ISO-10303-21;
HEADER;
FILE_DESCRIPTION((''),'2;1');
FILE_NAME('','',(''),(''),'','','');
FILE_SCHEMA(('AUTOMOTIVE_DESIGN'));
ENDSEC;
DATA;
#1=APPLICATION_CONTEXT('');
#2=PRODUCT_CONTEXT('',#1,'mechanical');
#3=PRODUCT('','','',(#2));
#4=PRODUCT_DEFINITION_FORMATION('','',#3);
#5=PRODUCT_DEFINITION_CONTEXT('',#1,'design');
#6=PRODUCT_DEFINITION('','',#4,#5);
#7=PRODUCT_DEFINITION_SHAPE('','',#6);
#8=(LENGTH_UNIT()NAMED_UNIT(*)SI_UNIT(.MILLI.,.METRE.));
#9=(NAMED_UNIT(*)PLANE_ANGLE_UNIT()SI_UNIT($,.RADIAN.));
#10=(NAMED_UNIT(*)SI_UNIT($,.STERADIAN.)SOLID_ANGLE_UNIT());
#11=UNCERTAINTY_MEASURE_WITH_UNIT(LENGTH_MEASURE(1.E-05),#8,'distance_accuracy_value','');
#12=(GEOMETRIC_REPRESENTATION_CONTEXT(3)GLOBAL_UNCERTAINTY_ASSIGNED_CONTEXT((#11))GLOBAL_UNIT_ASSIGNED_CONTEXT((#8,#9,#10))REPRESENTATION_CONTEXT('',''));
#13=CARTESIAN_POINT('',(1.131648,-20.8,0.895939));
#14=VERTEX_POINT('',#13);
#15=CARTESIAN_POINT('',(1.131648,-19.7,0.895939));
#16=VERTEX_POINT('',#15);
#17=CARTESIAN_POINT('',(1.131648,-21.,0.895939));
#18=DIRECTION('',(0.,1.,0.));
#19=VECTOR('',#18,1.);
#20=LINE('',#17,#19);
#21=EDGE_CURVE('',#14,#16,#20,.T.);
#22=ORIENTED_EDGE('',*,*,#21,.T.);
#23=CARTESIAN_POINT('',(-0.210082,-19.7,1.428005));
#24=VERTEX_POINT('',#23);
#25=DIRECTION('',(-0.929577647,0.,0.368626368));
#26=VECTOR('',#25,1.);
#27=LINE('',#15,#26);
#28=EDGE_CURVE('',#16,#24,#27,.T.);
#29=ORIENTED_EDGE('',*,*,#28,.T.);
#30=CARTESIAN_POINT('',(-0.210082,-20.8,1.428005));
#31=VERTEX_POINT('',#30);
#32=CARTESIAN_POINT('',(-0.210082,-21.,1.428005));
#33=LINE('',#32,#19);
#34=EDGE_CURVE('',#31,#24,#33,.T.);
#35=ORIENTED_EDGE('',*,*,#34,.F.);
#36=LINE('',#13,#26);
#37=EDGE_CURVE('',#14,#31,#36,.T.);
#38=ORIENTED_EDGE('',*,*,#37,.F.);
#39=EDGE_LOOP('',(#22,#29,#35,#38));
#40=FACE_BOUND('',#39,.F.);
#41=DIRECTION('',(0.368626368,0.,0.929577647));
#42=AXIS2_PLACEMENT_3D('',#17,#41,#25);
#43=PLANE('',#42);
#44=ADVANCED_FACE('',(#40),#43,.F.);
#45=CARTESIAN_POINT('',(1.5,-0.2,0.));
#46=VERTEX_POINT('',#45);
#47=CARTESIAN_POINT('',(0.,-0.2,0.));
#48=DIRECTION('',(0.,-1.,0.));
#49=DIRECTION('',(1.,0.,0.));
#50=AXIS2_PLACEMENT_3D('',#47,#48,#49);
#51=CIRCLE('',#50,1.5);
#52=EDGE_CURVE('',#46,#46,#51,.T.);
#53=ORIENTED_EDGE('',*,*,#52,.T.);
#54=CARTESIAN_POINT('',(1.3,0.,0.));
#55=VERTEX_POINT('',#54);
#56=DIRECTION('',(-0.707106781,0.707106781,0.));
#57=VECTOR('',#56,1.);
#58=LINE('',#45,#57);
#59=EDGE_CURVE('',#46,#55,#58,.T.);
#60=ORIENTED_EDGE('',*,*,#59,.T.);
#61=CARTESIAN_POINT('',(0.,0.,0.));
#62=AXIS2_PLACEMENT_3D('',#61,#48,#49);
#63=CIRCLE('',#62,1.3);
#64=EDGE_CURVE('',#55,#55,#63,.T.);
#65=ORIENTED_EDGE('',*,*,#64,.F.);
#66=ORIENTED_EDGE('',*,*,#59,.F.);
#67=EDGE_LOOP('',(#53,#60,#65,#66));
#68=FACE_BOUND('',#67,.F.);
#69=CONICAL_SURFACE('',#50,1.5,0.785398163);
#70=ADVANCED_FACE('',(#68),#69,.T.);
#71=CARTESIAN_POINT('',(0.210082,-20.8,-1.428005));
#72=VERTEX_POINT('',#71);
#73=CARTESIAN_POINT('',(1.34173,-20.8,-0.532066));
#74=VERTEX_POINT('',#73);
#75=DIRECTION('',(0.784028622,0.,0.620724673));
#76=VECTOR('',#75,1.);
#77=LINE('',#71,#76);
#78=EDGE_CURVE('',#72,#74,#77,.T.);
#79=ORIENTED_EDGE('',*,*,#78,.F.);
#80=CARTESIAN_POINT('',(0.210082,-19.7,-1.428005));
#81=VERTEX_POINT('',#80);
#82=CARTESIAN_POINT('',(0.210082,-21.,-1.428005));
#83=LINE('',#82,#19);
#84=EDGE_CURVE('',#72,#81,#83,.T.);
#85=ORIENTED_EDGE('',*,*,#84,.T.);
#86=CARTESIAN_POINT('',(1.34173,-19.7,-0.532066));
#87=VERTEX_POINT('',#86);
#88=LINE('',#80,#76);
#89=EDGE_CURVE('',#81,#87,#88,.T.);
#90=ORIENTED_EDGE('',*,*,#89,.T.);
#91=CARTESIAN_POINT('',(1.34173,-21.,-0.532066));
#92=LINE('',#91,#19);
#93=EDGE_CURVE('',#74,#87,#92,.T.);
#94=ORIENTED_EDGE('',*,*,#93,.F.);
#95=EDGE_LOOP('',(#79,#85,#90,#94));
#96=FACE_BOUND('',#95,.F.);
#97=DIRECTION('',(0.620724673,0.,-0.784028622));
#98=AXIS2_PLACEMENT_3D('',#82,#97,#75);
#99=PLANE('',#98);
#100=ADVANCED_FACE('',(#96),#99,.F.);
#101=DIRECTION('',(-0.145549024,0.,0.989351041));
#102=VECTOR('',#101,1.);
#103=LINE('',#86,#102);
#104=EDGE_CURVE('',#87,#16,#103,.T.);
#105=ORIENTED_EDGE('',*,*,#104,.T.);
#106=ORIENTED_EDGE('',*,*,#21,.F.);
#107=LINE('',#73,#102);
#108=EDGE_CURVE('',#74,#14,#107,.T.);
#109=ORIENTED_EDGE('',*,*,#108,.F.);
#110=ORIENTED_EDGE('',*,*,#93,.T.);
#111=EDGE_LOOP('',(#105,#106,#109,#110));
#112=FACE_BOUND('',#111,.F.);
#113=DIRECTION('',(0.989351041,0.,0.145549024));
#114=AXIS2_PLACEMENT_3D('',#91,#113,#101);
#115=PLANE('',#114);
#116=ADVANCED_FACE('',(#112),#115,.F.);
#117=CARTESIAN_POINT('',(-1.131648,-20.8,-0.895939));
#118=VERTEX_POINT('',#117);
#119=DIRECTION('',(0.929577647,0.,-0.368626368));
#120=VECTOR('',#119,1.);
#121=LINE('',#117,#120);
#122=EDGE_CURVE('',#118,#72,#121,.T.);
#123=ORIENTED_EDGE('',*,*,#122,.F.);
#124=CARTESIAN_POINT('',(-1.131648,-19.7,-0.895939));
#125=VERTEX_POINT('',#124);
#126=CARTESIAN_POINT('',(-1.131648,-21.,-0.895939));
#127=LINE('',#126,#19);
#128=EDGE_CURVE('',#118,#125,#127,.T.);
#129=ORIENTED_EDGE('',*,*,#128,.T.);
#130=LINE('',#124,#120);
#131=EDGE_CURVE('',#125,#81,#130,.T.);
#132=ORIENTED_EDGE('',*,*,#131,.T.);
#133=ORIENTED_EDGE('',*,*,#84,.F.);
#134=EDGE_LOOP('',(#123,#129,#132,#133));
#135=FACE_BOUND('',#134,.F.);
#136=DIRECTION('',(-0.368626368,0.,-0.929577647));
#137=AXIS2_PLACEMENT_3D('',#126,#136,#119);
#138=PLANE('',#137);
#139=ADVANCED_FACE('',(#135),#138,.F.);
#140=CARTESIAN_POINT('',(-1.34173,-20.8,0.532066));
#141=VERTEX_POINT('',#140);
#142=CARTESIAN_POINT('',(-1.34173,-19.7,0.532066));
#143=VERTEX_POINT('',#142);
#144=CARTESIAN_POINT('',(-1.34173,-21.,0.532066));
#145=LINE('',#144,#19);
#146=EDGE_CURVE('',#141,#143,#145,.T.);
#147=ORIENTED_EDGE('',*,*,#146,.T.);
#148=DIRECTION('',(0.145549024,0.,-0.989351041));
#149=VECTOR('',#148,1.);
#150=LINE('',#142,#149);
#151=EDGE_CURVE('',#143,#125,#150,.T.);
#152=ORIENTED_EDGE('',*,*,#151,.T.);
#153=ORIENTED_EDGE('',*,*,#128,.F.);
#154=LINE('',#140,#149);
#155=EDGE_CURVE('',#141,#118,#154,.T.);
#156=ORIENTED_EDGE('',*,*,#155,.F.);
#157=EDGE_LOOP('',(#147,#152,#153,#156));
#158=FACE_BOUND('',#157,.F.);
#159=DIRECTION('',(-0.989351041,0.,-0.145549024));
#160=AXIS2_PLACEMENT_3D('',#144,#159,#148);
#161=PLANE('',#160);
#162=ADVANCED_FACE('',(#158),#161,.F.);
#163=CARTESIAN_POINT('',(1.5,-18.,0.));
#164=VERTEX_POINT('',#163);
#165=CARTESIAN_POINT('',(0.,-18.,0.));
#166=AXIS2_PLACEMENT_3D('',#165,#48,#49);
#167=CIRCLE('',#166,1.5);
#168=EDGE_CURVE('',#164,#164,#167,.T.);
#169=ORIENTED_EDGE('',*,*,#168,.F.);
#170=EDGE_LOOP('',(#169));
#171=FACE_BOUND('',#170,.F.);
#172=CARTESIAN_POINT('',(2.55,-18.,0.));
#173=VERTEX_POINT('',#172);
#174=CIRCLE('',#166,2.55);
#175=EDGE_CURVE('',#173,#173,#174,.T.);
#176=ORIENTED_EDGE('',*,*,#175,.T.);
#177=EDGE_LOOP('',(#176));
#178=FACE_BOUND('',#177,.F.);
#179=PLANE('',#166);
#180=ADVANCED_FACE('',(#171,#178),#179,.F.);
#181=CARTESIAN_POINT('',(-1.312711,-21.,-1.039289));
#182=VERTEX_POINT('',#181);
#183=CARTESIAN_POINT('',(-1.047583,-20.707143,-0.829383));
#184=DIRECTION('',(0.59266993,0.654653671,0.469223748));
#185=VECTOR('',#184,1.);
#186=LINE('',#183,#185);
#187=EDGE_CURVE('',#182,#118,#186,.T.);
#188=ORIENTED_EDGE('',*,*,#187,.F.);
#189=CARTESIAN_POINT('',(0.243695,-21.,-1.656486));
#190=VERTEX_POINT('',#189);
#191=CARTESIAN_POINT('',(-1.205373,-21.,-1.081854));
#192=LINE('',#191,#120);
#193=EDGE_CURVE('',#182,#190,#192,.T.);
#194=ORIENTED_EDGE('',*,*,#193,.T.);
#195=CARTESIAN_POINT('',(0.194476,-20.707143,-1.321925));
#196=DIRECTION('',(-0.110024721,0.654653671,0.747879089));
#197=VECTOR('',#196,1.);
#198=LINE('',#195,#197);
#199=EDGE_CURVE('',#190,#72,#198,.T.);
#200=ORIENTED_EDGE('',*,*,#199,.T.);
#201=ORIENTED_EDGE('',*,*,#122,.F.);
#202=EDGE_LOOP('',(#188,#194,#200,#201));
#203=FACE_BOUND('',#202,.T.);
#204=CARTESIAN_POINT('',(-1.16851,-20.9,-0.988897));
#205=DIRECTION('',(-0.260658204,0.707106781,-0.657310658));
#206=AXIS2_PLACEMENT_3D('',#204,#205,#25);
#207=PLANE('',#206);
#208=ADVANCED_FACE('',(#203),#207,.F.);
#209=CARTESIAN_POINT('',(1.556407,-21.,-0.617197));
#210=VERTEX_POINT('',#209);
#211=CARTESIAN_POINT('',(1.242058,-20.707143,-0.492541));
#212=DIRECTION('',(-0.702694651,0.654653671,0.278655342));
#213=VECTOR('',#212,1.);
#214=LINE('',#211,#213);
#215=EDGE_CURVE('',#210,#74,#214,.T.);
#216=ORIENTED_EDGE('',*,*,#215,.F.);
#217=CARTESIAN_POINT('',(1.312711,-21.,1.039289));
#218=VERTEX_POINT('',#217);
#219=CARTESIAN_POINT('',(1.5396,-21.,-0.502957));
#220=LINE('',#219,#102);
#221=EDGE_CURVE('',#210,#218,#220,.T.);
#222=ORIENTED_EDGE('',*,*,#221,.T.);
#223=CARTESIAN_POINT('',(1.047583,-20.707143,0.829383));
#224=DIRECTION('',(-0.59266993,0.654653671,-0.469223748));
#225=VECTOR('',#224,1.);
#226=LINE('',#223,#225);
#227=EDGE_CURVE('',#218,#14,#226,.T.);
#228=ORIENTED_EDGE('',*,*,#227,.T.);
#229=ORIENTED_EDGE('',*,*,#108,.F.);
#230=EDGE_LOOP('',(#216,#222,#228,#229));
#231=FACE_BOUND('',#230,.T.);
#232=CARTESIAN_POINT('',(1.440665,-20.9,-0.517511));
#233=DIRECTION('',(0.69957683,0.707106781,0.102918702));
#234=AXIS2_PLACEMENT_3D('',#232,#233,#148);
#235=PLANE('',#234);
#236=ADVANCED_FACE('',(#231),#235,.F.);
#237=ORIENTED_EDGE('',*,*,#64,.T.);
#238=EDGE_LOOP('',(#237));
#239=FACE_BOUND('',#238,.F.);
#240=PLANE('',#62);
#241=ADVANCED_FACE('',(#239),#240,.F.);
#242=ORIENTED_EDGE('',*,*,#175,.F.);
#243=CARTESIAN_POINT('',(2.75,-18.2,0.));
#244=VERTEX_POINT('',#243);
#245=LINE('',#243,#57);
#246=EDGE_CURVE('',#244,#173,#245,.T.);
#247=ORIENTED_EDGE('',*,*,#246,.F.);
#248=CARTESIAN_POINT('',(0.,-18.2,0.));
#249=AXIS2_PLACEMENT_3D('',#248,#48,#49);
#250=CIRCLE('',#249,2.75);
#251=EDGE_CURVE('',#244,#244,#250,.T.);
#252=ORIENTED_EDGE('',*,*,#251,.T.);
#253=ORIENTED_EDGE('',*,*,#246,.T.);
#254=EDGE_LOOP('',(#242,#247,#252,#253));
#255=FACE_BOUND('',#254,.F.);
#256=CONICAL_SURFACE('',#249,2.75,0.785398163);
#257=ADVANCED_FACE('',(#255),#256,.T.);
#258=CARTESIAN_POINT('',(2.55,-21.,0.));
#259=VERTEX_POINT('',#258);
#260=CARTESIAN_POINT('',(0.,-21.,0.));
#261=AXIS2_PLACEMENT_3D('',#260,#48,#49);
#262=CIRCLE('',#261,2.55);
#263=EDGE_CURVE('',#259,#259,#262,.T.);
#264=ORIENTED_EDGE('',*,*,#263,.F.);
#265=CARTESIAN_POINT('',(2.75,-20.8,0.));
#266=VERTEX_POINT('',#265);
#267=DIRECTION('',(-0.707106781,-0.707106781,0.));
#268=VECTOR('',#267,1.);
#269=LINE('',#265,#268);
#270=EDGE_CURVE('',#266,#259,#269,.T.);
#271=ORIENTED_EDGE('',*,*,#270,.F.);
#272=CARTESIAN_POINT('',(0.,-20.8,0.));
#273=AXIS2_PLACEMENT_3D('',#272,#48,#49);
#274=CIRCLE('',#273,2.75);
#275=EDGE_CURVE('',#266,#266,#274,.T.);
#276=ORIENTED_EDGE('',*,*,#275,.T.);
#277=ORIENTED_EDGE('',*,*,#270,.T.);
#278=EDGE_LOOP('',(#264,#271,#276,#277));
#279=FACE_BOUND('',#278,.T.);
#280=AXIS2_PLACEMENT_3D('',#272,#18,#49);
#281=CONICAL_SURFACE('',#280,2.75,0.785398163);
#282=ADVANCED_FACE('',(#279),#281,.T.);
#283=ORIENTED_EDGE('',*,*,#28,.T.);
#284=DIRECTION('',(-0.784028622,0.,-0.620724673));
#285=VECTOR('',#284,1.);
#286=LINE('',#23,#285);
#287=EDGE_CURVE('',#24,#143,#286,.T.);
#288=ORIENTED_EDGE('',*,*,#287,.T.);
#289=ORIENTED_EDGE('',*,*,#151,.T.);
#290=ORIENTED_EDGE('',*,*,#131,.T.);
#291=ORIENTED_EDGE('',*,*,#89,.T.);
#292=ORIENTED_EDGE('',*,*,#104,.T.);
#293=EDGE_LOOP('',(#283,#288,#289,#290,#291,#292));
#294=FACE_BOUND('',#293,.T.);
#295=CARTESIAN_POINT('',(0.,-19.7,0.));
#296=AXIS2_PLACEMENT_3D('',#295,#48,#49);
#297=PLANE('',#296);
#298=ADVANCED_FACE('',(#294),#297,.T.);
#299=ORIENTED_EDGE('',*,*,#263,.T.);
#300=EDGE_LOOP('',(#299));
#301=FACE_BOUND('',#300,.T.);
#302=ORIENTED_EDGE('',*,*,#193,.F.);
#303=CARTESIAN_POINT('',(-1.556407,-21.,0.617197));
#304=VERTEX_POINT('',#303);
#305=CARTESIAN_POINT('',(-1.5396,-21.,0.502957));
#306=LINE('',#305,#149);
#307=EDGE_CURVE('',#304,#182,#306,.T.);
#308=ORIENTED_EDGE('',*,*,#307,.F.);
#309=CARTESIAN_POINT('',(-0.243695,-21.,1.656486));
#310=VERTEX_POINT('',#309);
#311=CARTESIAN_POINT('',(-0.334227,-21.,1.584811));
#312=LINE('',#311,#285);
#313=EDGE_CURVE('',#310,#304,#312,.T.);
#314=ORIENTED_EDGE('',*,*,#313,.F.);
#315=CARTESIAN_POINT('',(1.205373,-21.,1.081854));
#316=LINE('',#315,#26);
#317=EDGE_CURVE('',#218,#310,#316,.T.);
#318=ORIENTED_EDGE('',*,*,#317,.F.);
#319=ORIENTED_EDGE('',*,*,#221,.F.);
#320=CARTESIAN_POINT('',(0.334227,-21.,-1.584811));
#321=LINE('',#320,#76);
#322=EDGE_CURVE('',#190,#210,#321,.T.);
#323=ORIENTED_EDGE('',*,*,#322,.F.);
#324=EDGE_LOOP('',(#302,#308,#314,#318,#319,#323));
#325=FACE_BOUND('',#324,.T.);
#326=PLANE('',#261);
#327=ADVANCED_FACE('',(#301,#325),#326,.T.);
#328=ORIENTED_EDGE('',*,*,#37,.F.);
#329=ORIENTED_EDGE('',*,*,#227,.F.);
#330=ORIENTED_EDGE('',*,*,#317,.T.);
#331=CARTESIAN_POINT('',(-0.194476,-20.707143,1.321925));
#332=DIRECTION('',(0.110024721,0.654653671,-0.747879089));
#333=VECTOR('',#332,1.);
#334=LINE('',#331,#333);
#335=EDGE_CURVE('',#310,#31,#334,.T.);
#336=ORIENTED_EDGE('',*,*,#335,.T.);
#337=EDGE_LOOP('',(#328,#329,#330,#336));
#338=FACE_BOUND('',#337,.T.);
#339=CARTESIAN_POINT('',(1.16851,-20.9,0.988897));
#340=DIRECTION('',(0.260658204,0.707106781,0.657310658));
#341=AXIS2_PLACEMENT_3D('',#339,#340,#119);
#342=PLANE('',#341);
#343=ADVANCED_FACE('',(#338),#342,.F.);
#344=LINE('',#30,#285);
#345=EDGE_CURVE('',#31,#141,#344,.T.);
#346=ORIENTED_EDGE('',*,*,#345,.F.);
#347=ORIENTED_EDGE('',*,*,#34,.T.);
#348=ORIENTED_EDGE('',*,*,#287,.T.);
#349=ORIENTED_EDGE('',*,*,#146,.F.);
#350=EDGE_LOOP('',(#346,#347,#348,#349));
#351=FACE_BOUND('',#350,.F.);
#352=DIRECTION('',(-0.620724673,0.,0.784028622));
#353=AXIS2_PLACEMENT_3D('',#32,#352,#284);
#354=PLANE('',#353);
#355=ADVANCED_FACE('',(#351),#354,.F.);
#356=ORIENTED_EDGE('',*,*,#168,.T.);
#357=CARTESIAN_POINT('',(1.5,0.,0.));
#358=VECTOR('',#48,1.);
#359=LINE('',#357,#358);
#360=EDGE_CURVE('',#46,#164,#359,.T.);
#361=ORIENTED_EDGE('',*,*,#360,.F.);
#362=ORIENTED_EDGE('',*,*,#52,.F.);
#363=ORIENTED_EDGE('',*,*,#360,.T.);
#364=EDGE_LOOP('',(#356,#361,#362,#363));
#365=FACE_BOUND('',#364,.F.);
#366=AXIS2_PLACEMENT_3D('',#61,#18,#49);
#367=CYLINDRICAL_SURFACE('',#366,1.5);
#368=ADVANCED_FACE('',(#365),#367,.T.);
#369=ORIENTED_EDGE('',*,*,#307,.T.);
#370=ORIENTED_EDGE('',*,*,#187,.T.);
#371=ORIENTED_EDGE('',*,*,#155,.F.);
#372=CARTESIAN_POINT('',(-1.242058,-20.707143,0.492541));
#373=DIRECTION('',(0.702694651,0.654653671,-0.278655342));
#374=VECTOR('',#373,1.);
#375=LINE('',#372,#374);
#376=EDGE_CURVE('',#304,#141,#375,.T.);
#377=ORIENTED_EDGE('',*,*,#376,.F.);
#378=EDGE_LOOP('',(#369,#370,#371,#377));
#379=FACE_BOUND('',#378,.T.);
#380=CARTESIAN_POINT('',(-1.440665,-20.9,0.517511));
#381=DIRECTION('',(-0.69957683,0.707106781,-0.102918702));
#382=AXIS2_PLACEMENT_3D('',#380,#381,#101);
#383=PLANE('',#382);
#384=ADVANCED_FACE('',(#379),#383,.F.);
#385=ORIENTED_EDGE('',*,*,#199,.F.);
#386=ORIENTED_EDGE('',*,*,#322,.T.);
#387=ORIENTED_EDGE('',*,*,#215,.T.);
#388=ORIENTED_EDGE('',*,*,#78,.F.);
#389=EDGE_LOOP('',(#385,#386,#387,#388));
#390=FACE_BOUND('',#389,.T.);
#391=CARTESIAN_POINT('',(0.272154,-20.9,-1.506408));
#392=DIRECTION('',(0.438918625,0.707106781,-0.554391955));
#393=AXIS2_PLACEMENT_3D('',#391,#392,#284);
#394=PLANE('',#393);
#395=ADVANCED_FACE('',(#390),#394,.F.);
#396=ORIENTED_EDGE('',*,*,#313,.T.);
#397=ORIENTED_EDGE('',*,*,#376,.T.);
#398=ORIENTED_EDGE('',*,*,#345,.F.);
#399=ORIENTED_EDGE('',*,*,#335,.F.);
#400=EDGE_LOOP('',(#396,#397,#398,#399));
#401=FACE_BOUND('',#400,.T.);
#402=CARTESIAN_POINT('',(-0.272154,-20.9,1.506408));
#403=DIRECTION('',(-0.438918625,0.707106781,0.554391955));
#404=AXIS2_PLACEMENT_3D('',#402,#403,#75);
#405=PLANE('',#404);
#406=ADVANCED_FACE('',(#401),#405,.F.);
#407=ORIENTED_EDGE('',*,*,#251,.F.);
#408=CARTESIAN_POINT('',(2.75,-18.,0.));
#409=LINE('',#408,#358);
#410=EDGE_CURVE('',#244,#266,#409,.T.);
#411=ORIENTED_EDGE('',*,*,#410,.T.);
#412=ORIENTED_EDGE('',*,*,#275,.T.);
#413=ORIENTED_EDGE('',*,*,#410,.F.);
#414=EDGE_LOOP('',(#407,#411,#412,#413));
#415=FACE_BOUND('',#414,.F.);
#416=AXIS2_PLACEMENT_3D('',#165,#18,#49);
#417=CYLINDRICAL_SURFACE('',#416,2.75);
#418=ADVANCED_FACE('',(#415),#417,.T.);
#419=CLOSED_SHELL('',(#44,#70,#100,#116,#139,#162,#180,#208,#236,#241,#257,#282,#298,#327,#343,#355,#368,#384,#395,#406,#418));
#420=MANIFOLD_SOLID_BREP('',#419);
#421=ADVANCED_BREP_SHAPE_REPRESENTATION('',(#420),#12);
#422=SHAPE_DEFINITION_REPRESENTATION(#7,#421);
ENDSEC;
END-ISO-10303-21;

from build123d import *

# Parameters (mm, degrees)
F0_R     = 1.5
F1_DEPTH = 18
F2_R     = 2.75
F3_DEPTH = 3
F5_DEPTH = 1.3
F6_SIZE  = 0.2


with BuildPart() as f1:
    # F0 (on Front) → F1 (new body)
    with BuildSketch(Plane.XZ):
        Circle(F0_R)
    extrude(amount=F1_DEPTH)

    # F2 (on face) → F3 (join)
    with BuildSketch(Plane.XZ.offset(18)):
        Circle(F2_R)
    extrude(amount=F3_DEPTH)

    # F4 (on face) → F5 (cut)
    with BuildSketch(Plane.XZ.offset(21)):
        Polygon((0.2100819211, -1.428005224), (1.3417297613, -0.5320663314), (1.1316478402, 0.8959388926), (-0.2100819211, 1.428005224), (-1.3417297613, 0.5320663314), (-1.1316478402, -0.8959388926), align=None)
    extrude(amount=-F5_DEPTH, mode=Mode.SUBTRACT)

    # F6
    f6_edges = [f1.edges().sort_by_distance(p)[0] for p in [
        (-2.75, -21, 0),
        (-2.75, -18, 0),
        (-1.5, 0, 0),
        (-1.236689, -21, -0.181936),
        (-0.460783, -21, -1.161972),
        (0.775906, -21, -0.980036),
        (1.236689, -21, 0.181936),
        (0.460783, -21, 1.161972),
        (-0.775906, -21, 0.980036),
    ]]
    chamfer(f6_edges, length=F6_SIZE)


solid = f1.part
